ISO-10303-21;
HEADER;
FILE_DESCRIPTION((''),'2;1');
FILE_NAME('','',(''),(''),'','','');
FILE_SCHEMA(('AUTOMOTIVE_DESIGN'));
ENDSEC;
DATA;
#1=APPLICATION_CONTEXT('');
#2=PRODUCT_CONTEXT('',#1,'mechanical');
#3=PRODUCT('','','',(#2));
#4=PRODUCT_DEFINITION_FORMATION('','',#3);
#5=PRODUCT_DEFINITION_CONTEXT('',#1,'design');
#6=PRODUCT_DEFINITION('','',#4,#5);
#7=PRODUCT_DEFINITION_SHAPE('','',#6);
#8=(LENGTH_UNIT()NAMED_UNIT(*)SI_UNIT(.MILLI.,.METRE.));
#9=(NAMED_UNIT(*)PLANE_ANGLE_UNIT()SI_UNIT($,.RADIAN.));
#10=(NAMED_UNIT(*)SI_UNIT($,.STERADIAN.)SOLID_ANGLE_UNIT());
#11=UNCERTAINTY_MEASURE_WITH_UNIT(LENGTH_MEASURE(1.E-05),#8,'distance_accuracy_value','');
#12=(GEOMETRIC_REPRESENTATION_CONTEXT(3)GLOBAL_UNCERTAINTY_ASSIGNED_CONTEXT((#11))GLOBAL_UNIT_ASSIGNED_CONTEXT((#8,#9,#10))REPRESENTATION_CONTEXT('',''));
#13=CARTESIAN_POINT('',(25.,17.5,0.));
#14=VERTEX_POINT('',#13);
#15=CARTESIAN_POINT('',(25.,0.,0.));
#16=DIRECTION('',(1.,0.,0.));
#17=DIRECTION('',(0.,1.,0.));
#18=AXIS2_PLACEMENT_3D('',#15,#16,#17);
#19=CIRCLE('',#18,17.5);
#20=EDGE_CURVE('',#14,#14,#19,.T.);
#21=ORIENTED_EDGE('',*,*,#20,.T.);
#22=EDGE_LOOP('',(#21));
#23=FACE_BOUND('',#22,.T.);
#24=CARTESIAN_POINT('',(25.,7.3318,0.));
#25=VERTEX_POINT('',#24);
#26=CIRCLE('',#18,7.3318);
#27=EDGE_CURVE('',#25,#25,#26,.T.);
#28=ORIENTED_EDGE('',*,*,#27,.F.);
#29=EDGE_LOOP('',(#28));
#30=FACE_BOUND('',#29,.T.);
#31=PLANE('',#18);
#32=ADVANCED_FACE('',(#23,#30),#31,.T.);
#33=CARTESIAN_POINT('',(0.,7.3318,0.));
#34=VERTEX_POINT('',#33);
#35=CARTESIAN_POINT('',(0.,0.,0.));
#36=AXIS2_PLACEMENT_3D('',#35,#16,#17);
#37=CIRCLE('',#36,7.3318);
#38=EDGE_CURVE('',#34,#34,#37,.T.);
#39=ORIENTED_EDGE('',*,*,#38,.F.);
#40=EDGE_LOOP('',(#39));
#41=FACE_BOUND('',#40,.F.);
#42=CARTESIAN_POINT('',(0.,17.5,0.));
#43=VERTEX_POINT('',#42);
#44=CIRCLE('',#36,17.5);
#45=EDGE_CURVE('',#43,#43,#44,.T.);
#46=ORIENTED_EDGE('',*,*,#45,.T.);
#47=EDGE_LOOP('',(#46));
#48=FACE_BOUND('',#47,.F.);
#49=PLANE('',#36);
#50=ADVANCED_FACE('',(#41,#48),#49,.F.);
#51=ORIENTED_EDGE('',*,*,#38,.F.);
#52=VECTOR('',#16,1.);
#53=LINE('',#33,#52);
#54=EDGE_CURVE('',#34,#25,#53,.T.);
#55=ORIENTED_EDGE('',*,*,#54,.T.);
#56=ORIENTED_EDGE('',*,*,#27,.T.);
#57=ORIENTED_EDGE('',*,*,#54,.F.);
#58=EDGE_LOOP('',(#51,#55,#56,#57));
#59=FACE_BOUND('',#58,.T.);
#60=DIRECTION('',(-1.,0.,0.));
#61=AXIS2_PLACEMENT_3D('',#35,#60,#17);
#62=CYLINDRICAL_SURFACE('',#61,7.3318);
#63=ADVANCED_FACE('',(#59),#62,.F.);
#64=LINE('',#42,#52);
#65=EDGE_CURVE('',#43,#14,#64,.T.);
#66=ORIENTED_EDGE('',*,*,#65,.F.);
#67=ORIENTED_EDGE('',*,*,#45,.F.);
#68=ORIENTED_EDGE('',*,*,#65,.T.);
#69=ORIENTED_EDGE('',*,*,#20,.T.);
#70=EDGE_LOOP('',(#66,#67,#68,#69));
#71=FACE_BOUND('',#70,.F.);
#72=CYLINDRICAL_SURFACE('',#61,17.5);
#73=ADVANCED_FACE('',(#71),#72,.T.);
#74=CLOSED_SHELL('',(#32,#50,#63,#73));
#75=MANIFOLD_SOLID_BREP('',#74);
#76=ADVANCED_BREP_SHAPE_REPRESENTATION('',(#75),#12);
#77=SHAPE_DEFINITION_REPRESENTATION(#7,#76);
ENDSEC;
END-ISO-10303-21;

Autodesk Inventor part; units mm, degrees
ref_plane "YZ Plane" through (0, 0, 0) normal (1, 0, 0) x (0, 1, 0)
ref_plane "XZ Plane" through (0, 0, 0) normal (0, 1, 0) x (-1, 0, 0)
ref_plane "XY Plane" through (0, 0, 0) normal (0, 0, 1) x (1, 0, 0)
sketch "Sketch1" plane through (0, 0, 0) normal (1, 0, 0) x (0, 1, 0)
  circle A0 centre (0, 0) radius 17.5
  circle A1 centre (0, 0) radius 7.3318
  dimension "d0" = 35
extrude "Extrusion1" add sketch "Sketch1" along normal blind 25
sketch "Sketch2" plane through (25, 0, 0) normal (1, 0, 0) x (0, 0, -1)
  point P0 (0, 0)
properties part number "roller3 grp17"
